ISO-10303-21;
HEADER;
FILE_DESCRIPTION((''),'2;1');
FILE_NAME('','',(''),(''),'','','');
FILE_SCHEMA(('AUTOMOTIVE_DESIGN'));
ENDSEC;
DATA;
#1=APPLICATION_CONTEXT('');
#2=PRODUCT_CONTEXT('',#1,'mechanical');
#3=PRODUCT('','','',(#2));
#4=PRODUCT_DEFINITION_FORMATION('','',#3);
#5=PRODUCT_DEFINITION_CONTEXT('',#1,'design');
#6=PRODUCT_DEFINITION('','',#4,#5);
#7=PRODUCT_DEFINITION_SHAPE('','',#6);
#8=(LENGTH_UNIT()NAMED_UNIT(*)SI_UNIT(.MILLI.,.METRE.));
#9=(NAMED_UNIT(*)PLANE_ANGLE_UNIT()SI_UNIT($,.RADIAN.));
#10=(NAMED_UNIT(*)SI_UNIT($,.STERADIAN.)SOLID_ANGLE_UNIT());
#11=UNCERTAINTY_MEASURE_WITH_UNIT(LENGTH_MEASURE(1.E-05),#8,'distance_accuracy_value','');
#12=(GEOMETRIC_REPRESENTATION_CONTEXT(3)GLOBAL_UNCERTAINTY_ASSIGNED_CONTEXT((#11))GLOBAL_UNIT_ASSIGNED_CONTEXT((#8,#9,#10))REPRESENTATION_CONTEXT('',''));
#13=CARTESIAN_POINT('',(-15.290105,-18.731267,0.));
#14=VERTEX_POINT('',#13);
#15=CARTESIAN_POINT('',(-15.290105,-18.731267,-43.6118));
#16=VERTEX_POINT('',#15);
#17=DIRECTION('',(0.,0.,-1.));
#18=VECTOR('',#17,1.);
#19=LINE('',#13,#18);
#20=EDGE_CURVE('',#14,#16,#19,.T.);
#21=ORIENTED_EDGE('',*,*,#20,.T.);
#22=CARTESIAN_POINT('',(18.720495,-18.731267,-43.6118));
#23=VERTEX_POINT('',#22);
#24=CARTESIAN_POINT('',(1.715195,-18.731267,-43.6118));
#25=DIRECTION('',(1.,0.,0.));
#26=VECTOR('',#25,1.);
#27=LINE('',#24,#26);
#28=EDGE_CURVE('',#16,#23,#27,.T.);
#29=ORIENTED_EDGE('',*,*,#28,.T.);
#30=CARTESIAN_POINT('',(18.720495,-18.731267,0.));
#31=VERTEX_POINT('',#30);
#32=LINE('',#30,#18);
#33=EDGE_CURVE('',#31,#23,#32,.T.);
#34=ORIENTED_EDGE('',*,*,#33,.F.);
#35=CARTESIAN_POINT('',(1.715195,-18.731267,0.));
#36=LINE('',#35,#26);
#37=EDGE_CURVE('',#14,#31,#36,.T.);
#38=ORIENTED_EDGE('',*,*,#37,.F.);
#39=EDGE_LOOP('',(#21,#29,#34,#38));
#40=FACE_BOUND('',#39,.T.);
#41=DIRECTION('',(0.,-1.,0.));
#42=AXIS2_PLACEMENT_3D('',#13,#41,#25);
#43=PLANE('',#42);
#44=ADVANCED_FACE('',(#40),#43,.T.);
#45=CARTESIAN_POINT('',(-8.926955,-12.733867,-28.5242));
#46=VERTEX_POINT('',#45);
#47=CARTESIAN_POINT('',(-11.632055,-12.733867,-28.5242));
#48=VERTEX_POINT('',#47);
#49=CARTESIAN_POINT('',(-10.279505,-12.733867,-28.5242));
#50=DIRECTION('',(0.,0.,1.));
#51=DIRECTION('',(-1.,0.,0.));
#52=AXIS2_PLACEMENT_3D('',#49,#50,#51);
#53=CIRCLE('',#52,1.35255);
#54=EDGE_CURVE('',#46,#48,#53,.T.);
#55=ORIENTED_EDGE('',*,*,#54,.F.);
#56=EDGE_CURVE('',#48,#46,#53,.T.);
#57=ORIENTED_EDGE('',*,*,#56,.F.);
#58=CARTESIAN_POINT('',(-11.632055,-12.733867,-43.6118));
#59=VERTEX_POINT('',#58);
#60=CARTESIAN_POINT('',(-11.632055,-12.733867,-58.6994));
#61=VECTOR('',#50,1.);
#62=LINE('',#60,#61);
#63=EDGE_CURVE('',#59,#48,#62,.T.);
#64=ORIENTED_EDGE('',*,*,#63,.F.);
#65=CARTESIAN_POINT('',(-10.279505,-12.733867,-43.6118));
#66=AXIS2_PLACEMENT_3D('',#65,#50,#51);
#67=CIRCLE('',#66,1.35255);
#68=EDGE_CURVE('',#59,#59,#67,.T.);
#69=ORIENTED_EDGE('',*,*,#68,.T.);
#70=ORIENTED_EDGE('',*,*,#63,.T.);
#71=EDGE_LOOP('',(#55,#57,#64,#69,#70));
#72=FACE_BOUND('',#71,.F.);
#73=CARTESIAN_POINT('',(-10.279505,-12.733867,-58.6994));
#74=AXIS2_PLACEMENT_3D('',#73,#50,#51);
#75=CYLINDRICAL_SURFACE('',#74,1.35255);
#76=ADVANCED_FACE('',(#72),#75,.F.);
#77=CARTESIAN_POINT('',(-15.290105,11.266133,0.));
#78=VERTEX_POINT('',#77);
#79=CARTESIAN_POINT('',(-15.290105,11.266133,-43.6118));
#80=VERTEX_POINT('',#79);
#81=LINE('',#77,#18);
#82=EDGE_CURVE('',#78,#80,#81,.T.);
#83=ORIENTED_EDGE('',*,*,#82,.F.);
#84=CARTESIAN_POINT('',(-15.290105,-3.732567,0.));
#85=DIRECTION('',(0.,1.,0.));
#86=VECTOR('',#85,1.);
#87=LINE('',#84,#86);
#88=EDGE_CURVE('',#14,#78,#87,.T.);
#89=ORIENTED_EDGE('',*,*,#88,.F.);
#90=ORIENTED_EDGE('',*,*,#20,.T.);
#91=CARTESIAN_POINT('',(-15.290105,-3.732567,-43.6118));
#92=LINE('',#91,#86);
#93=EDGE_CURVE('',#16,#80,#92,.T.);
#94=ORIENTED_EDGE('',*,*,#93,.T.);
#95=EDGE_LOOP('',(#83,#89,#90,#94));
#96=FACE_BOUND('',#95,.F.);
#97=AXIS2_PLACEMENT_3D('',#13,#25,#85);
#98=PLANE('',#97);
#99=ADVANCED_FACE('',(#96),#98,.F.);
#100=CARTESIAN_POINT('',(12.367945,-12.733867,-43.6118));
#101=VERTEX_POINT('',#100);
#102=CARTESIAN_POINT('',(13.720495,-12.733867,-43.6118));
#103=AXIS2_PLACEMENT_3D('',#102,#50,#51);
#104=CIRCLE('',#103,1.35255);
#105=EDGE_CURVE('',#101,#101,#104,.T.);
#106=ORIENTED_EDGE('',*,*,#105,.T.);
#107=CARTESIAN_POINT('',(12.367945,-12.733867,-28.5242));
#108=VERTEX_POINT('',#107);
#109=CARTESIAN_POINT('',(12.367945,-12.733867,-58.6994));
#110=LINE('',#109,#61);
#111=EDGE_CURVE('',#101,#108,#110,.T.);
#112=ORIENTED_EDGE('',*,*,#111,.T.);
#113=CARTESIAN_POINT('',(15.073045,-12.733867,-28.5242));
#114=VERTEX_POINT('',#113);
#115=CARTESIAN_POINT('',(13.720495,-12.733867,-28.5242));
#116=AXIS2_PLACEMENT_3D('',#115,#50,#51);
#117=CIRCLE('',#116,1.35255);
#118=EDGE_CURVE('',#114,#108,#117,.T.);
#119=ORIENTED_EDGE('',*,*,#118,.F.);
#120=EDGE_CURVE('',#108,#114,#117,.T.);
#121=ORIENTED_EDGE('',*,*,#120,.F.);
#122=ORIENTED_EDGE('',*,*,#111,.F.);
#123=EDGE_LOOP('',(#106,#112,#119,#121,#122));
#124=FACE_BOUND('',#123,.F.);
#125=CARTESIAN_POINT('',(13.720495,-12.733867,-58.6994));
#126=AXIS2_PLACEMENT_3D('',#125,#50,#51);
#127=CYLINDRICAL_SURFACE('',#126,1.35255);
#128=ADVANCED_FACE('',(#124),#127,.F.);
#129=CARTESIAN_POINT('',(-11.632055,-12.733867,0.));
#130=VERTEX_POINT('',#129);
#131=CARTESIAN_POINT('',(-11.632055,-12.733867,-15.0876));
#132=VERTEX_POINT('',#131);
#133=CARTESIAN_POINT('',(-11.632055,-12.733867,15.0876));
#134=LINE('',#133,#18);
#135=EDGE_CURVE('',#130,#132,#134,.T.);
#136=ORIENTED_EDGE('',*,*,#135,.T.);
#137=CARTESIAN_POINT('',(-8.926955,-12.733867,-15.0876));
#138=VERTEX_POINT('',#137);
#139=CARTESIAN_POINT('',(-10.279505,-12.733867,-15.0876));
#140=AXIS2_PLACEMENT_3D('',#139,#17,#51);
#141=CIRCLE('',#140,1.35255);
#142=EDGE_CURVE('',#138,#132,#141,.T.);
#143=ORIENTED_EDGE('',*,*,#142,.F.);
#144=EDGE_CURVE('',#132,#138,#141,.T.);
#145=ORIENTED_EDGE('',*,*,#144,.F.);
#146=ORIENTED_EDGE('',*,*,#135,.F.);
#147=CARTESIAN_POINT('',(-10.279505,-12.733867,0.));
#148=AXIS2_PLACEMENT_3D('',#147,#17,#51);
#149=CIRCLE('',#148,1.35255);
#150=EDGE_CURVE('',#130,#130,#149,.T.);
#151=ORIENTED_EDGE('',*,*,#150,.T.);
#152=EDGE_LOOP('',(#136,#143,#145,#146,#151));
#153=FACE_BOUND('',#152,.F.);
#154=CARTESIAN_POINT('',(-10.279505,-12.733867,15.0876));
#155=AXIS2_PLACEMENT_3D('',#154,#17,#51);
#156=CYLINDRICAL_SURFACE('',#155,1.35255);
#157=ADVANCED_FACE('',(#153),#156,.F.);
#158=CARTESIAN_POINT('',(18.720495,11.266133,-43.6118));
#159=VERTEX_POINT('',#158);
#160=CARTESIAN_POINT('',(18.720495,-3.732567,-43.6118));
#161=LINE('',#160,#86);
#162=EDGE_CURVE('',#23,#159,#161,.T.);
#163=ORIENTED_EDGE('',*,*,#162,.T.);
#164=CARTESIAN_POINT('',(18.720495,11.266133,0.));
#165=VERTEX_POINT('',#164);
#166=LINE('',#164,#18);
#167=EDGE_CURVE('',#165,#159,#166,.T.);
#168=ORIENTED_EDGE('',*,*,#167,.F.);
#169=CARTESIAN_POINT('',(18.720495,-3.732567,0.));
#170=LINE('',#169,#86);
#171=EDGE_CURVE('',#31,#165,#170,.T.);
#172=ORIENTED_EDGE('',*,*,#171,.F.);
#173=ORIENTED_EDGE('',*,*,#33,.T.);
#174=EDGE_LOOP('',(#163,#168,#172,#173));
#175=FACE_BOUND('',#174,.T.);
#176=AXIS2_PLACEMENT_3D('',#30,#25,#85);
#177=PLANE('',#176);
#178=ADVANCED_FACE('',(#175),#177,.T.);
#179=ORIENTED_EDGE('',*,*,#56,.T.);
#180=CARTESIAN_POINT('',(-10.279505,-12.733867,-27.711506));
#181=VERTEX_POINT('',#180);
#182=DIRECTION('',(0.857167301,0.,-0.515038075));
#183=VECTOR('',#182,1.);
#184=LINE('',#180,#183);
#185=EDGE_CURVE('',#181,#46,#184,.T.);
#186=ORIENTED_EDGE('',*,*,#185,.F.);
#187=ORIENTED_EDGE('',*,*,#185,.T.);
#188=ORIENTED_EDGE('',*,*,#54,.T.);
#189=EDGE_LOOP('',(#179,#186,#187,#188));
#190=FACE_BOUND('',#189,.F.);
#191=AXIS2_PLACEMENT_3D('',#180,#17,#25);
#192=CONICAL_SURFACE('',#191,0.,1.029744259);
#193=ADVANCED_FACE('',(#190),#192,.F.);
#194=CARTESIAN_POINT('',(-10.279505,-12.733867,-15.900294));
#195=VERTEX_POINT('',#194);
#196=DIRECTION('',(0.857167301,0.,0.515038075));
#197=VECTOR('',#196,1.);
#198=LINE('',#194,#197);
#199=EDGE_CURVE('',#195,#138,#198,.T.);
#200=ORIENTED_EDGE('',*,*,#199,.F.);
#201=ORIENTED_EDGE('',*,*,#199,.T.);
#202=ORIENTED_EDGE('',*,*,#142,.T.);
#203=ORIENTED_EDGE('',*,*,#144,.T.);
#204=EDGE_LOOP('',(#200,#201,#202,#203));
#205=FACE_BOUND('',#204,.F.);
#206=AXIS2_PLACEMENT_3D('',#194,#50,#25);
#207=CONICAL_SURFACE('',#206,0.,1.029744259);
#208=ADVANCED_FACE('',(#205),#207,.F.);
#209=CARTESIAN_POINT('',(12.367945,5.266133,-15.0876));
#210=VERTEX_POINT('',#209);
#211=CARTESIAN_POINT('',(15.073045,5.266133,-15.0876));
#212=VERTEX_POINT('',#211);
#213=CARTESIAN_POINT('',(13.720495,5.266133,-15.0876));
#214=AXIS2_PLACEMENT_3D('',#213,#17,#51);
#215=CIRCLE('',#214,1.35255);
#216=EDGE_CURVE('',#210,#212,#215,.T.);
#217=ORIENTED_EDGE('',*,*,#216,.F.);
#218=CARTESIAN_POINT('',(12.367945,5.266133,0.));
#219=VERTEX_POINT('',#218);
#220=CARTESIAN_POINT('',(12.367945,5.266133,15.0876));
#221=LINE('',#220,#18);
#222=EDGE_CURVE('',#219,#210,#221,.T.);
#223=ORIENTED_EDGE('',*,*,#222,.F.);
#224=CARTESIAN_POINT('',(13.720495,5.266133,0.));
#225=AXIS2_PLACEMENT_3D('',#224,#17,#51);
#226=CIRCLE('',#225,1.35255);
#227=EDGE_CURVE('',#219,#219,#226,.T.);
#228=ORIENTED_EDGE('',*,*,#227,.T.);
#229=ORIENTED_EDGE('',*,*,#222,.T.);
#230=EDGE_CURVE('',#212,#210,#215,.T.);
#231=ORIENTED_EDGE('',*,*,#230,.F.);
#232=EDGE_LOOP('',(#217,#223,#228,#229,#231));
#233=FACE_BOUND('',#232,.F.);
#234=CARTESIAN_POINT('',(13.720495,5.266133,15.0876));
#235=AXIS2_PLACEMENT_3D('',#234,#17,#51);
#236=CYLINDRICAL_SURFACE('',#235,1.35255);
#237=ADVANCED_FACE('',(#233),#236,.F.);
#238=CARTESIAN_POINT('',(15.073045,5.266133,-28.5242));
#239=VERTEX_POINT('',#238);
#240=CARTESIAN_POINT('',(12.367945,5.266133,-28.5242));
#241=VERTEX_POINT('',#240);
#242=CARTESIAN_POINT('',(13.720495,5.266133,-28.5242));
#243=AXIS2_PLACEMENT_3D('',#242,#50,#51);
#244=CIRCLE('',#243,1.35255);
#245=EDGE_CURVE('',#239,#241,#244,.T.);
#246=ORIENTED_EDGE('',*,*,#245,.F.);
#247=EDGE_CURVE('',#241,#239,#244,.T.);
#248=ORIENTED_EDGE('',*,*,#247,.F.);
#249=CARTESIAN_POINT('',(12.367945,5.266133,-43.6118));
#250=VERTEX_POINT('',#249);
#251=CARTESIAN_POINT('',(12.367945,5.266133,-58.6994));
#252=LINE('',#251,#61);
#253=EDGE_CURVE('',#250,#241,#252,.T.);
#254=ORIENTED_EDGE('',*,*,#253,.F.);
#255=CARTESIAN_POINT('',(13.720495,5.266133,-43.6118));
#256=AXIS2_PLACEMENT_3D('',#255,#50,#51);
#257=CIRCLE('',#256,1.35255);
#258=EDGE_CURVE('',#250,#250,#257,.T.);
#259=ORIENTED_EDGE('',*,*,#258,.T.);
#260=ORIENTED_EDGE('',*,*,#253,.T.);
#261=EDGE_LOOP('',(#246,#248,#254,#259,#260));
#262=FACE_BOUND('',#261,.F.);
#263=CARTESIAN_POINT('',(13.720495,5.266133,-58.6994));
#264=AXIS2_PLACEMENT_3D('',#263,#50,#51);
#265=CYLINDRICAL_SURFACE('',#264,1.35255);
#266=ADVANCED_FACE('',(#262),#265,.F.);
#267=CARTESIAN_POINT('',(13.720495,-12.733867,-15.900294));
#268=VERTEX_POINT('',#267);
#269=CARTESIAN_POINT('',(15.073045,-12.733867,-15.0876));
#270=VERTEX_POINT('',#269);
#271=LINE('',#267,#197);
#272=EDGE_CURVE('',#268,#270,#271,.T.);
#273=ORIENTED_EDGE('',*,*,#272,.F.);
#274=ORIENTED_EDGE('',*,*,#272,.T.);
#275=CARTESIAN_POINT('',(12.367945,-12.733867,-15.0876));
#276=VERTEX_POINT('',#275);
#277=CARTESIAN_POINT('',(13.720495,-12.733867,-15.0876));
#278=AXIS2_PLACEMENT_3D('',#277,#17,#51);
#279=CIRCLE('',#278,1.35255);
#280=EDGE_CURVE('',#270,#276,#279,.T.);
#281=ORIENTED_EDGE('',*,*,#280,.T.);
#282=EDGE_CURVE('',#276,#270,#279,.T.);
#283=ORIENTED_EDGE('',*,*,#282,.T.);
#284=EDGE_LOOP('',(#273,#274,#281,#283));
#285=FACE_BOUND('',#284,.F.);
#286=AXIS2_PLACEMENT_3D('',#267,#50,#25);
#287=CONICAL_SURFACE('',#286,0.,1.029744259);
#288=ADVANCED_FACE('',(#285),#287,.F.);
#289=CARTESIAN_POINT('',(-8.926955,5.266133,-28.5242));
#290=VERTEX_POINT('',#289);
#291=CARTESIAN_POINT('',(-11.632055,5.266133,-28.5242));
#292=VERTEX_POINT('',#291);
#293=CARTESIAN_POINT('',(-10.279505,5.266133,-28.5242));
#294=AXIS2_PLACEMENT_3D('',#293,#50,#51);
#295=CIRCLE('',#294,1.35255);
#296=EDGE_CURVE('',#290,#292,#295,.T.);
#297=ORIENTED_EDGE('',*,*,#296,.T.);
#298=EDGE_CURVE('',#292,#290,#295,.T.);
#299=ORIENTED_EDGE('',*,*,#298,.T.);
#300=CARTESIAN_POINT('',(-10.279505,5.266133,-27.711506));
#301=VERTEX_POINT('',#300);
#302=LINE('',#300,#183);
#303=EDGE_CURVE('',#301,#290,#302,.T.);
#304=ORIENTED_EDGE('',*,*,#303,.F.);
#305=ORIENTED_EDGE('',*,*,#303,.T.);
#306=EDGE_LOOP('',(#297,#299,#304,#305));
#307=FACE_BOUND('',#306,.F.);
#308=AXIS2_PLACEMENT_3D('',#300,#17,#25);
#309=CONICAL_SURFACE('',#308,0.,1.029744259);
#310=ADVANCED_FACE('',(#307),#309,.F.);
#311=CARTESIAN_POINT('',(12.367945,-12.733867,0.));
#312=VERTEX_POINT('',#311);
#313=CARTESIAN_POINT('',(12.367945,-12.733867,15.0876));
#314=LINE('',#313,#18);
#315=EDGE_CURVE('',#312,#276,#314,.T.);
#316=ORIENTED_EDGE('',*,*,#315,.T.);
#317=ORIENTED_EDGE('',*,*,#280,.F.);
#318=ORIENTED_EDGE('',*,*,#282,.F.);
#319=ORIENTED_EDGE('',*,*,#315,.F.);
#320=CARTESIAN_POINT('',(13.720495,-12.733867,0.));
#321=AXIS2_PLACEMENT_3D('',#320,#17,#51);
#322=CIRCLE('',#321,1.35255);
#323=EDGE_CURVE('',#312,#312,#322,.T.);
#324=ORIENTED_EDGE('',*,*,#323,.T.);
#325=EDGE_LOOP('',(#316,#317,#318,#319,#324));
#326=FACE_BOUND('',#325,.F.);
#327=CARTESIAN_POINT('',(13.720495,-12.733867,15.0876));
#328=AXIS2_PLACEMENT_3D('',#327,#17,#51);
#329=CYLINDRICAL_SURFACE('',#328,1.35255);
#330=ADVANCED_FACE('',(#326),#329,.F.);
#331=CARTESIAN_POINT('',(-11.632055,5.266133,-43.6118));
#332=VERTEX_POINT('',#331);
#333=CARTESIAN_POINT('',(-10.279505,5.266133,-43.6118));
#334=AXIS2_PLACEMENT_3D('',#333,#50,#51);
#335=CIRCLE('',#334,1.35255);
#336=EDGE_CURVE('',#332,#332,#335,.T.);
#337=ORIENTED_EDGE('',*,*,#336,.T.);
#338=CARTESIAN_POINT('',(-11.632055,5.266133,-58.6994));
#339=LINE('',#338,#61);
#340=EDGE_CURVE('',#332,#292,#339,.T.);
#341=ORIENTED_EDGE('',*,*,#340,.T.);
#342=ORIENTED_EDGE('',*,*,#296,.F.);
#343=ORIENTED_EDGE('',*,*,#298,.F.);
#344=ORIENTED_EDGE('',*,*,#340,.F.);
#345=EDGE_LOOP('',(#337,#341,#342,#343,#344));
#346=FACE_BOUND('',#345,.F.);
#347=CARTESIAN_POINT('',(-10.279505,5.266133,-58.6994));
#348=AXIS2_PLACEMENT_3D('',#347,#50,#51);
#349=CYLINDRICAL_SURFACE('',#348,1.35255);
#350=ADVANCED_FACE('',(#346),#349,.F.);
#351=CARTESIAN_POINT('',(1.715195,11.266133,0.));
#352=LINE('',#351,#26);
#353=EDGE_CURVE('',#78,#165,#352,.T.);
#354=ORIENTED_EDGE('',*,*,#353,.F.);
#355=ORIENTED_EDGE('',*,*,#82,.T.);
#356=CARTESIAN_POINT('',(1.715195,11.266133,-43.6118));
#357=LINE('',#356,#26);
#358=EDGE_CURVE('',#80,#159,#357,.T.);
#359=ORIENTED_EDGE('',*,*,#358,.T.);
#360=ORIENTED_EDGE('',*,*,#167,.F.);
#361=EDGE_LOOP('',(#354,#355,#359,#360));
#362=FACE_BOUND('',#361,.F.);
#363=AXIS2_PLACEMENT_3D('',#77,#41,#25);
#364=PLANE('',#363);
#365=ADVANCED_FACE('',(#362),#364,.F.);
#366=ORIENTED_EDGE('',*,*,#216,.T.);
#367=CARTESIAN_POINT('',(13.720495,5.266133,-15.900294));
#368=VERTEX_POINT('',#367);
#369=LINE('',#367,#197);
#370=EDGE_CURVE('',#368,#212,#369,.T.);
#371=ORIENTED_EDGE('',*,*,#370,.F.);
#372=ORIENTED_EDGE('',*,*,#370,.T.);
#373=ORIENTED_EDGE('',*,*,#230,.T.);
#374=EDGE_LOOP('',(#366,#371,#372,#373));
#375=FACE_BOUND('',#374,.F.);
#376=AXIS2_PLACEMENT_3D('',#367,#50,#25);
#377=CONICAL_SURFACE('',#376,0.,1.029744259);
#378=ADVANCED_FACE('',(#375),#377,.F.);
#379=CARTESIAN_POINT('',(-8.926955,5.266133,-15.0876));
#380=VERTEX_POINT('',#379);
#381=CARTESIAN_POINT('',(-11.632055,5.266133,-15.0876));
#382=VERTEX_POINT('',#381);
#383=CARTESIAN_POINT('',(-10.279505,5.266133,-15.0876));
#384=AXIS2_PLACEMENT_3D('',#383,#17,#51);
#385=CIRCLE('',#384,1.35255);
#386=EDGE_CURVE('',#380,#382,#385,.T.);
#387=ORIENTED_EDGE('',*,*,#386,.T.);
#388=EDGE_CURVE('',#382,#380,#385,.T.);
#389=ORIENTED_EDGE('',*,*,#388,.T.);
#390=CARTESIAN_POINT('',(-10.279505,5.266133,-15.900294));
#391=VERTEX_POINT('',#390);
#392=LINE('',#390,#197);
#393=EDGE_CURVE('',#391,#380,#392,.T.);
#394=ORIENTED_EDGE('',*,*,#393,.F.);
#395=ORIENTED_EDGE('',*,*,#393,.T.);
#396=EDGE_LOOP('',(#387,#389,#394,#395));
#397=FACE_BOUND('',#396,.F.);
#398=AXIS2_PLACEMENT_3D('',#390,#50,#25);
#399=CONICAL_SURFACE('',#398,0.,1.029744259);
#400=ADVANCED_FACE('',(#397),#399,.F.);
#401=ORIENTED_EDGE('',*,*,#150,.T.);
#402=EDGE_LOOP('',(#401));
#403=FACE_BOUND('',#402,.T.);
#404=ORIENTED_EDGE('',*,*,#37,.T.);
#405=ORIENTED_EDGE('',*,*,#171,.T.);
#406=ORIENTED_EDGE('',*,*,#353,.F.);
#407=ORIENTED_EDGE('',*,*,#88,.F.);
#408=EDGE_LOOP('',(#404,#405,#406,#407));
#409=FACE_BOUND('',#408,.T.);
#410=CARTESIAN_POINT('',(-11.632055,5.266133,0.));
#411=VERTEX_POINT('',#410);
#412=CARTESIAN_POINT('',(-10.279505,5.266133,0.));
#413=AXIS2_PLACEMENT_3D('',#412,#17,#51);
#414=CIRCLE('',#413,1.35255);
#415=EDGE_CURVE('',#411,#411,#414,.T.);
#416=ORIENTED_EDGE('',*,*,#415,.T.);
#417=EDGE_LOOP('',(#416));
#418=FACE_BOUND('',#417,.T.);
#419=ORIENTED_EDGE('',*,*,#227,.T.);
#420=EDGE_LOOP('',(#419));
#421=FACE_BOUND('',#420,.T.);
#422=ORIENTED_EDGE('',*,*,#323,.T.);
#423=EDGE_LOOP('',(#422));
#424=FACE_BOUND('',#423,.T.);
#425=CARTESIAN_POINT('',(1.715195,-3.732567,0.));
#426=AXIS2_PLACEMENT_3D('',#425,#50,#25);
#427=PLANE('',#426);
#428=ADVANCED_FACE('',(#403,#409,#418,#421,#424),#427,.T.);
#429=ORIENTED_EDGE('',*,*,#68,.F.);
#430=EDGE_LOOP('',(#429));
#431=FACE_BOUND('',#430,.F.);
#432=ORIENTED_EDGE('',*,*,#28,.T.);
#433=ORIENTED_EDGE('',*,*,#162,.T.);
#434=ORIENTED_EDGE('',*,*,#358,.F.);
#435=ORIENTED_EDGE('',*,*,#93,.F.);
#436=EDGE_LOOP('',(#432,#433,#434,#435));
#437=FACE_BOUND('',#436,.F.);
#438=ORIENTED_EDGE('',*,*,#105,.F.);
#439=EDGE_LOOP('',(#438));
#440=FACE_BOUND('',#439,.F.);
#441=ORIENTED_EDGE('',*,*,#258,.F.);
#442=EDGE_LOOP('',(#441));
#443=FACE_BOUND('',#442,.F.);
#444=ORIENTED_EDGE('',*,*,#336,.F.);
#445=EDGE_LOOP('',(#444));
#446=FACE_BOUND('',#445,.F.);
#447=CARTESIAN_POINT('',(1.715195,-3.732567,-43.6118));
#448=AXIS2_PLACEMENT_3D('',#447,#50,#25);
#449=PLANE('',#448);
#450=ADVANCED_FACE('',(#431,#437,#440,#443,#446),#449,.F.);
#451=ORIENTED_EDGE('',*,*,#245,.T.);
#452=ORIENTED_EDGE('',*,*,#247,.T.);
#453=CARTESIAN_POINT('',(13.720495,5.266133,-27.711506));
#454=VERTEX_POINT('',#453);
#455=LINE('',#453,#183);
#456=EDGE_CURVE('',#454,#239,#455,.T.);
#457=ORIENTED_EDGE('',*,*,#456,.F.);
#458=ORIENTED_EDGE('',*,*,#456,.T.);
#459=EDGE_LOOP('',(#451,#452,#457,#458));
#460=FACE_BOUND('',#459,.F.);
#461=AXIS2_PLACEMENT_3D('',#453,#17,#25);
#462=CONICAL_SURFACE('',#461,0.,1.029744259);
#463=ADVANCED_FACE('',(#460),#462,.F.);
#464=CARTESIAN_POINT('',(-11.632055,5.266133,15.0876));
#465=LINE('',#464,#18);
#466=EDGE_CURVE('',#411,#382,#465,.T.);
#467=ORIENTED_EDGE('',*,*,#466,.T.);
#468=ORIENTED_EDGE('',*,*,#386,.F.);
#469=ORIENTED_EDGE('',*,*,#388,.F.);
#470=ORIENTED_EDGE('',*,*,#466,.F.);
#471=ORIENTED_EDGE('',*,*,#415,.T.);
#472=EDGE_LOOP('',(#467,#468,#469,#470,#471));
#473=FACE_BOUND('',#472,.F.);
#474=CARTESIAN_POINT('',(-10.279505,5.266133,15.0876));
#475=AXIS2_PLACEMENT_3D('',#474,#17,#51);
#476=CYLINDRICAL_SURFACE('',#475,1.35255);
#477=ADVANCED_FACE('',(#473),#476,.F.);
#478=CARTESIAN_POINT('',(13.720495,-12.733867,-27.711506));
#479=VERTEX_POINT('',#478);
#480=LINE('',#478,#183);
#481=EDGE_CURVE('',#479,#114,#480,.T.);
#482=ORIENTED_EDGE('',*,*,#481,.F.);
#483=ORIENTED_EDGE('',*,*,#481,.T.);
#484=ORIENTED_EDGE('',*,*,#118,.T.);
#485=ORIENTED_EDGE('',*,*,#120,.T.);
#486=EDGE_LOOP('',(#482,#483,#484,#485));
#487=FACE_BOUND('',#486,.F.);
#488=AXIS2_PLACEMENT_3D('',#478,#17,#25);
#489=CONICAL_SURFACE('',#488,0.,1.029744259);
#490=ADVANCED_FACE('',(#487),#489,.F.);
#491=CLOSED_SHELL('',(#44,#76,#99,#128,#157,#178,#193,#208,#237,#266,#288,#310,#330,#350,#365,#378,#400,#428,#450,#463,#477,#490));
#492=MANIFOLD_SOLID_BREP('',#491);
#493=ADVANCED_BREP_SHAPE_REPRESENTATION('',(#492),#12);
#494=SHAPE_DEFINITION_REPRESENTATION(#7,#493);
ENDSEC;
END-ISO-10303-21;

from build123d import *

# Parameters (mm, degrees)
F0_W           = 34.0106
F0_H           = 29.9974
F1_DEPTH       = 43.6118
F4_D           = 2.7051
F4_DEPTH       = 15.0876
F4_TIP         = 0.8126940303
F4_ON_F2_D     = 2.7051
F4_ON_F2_DEPTH = 15.0876
F4_ON_F2_TIP   = 0.8126940303


with BuildPart() as f1:
    # F0 (on Top) → F1 (new body)
    with BuildSketch(Plane.XY):
        with Locations((1.7151954423, -3.7325670248)):
            Rectangle(F0_W, F0_H)
    extrude(amount=-F1_DEPTH)

    # F4
    with Locations(Plane(origin=(0, 0, -43.6118), x_dir=(1, 0, 0), z_dir=(0, 0, -1))):
        with Locations((-10.2795045577, 12.7338670235), (13.7204954423, 12.7338670235), (13.7204954423, -5.2661329765), (-10.2795045577, -5.2661329765)):
            Hole(F4_D / 2, depth=F4_DEPTH)
            with Locations((0, 0, -(F4_DEPTH + F4_TIP / 2))):  # 118° drill point
                Cone(0, F4_D / 2, F4_TIP, mode=Mode.SUBTRACT)

    # F4 on F2
    with Locations(Plane.XY):
        with Locations((-10.2795045577, 5.2661329765), (13.7204954423, 5.2661329765), (13.7204954423, -12.7338670235), (-10.2795045577, -12.7338670235)):
            Hole(F4_ON_F2_D / 2, depth=F4_ON_F2_DEPTH)
            with Locations((0, 0, -(F4_ON_F2_DEPTH + F4_ON_F2_TIP / 2))):  # 118° drill point
                Cone(0, F4_ON_F2_D / 2, F4_ON_F2_TIP, mode=Mode.SUBTRACT)


solid = f1.part
